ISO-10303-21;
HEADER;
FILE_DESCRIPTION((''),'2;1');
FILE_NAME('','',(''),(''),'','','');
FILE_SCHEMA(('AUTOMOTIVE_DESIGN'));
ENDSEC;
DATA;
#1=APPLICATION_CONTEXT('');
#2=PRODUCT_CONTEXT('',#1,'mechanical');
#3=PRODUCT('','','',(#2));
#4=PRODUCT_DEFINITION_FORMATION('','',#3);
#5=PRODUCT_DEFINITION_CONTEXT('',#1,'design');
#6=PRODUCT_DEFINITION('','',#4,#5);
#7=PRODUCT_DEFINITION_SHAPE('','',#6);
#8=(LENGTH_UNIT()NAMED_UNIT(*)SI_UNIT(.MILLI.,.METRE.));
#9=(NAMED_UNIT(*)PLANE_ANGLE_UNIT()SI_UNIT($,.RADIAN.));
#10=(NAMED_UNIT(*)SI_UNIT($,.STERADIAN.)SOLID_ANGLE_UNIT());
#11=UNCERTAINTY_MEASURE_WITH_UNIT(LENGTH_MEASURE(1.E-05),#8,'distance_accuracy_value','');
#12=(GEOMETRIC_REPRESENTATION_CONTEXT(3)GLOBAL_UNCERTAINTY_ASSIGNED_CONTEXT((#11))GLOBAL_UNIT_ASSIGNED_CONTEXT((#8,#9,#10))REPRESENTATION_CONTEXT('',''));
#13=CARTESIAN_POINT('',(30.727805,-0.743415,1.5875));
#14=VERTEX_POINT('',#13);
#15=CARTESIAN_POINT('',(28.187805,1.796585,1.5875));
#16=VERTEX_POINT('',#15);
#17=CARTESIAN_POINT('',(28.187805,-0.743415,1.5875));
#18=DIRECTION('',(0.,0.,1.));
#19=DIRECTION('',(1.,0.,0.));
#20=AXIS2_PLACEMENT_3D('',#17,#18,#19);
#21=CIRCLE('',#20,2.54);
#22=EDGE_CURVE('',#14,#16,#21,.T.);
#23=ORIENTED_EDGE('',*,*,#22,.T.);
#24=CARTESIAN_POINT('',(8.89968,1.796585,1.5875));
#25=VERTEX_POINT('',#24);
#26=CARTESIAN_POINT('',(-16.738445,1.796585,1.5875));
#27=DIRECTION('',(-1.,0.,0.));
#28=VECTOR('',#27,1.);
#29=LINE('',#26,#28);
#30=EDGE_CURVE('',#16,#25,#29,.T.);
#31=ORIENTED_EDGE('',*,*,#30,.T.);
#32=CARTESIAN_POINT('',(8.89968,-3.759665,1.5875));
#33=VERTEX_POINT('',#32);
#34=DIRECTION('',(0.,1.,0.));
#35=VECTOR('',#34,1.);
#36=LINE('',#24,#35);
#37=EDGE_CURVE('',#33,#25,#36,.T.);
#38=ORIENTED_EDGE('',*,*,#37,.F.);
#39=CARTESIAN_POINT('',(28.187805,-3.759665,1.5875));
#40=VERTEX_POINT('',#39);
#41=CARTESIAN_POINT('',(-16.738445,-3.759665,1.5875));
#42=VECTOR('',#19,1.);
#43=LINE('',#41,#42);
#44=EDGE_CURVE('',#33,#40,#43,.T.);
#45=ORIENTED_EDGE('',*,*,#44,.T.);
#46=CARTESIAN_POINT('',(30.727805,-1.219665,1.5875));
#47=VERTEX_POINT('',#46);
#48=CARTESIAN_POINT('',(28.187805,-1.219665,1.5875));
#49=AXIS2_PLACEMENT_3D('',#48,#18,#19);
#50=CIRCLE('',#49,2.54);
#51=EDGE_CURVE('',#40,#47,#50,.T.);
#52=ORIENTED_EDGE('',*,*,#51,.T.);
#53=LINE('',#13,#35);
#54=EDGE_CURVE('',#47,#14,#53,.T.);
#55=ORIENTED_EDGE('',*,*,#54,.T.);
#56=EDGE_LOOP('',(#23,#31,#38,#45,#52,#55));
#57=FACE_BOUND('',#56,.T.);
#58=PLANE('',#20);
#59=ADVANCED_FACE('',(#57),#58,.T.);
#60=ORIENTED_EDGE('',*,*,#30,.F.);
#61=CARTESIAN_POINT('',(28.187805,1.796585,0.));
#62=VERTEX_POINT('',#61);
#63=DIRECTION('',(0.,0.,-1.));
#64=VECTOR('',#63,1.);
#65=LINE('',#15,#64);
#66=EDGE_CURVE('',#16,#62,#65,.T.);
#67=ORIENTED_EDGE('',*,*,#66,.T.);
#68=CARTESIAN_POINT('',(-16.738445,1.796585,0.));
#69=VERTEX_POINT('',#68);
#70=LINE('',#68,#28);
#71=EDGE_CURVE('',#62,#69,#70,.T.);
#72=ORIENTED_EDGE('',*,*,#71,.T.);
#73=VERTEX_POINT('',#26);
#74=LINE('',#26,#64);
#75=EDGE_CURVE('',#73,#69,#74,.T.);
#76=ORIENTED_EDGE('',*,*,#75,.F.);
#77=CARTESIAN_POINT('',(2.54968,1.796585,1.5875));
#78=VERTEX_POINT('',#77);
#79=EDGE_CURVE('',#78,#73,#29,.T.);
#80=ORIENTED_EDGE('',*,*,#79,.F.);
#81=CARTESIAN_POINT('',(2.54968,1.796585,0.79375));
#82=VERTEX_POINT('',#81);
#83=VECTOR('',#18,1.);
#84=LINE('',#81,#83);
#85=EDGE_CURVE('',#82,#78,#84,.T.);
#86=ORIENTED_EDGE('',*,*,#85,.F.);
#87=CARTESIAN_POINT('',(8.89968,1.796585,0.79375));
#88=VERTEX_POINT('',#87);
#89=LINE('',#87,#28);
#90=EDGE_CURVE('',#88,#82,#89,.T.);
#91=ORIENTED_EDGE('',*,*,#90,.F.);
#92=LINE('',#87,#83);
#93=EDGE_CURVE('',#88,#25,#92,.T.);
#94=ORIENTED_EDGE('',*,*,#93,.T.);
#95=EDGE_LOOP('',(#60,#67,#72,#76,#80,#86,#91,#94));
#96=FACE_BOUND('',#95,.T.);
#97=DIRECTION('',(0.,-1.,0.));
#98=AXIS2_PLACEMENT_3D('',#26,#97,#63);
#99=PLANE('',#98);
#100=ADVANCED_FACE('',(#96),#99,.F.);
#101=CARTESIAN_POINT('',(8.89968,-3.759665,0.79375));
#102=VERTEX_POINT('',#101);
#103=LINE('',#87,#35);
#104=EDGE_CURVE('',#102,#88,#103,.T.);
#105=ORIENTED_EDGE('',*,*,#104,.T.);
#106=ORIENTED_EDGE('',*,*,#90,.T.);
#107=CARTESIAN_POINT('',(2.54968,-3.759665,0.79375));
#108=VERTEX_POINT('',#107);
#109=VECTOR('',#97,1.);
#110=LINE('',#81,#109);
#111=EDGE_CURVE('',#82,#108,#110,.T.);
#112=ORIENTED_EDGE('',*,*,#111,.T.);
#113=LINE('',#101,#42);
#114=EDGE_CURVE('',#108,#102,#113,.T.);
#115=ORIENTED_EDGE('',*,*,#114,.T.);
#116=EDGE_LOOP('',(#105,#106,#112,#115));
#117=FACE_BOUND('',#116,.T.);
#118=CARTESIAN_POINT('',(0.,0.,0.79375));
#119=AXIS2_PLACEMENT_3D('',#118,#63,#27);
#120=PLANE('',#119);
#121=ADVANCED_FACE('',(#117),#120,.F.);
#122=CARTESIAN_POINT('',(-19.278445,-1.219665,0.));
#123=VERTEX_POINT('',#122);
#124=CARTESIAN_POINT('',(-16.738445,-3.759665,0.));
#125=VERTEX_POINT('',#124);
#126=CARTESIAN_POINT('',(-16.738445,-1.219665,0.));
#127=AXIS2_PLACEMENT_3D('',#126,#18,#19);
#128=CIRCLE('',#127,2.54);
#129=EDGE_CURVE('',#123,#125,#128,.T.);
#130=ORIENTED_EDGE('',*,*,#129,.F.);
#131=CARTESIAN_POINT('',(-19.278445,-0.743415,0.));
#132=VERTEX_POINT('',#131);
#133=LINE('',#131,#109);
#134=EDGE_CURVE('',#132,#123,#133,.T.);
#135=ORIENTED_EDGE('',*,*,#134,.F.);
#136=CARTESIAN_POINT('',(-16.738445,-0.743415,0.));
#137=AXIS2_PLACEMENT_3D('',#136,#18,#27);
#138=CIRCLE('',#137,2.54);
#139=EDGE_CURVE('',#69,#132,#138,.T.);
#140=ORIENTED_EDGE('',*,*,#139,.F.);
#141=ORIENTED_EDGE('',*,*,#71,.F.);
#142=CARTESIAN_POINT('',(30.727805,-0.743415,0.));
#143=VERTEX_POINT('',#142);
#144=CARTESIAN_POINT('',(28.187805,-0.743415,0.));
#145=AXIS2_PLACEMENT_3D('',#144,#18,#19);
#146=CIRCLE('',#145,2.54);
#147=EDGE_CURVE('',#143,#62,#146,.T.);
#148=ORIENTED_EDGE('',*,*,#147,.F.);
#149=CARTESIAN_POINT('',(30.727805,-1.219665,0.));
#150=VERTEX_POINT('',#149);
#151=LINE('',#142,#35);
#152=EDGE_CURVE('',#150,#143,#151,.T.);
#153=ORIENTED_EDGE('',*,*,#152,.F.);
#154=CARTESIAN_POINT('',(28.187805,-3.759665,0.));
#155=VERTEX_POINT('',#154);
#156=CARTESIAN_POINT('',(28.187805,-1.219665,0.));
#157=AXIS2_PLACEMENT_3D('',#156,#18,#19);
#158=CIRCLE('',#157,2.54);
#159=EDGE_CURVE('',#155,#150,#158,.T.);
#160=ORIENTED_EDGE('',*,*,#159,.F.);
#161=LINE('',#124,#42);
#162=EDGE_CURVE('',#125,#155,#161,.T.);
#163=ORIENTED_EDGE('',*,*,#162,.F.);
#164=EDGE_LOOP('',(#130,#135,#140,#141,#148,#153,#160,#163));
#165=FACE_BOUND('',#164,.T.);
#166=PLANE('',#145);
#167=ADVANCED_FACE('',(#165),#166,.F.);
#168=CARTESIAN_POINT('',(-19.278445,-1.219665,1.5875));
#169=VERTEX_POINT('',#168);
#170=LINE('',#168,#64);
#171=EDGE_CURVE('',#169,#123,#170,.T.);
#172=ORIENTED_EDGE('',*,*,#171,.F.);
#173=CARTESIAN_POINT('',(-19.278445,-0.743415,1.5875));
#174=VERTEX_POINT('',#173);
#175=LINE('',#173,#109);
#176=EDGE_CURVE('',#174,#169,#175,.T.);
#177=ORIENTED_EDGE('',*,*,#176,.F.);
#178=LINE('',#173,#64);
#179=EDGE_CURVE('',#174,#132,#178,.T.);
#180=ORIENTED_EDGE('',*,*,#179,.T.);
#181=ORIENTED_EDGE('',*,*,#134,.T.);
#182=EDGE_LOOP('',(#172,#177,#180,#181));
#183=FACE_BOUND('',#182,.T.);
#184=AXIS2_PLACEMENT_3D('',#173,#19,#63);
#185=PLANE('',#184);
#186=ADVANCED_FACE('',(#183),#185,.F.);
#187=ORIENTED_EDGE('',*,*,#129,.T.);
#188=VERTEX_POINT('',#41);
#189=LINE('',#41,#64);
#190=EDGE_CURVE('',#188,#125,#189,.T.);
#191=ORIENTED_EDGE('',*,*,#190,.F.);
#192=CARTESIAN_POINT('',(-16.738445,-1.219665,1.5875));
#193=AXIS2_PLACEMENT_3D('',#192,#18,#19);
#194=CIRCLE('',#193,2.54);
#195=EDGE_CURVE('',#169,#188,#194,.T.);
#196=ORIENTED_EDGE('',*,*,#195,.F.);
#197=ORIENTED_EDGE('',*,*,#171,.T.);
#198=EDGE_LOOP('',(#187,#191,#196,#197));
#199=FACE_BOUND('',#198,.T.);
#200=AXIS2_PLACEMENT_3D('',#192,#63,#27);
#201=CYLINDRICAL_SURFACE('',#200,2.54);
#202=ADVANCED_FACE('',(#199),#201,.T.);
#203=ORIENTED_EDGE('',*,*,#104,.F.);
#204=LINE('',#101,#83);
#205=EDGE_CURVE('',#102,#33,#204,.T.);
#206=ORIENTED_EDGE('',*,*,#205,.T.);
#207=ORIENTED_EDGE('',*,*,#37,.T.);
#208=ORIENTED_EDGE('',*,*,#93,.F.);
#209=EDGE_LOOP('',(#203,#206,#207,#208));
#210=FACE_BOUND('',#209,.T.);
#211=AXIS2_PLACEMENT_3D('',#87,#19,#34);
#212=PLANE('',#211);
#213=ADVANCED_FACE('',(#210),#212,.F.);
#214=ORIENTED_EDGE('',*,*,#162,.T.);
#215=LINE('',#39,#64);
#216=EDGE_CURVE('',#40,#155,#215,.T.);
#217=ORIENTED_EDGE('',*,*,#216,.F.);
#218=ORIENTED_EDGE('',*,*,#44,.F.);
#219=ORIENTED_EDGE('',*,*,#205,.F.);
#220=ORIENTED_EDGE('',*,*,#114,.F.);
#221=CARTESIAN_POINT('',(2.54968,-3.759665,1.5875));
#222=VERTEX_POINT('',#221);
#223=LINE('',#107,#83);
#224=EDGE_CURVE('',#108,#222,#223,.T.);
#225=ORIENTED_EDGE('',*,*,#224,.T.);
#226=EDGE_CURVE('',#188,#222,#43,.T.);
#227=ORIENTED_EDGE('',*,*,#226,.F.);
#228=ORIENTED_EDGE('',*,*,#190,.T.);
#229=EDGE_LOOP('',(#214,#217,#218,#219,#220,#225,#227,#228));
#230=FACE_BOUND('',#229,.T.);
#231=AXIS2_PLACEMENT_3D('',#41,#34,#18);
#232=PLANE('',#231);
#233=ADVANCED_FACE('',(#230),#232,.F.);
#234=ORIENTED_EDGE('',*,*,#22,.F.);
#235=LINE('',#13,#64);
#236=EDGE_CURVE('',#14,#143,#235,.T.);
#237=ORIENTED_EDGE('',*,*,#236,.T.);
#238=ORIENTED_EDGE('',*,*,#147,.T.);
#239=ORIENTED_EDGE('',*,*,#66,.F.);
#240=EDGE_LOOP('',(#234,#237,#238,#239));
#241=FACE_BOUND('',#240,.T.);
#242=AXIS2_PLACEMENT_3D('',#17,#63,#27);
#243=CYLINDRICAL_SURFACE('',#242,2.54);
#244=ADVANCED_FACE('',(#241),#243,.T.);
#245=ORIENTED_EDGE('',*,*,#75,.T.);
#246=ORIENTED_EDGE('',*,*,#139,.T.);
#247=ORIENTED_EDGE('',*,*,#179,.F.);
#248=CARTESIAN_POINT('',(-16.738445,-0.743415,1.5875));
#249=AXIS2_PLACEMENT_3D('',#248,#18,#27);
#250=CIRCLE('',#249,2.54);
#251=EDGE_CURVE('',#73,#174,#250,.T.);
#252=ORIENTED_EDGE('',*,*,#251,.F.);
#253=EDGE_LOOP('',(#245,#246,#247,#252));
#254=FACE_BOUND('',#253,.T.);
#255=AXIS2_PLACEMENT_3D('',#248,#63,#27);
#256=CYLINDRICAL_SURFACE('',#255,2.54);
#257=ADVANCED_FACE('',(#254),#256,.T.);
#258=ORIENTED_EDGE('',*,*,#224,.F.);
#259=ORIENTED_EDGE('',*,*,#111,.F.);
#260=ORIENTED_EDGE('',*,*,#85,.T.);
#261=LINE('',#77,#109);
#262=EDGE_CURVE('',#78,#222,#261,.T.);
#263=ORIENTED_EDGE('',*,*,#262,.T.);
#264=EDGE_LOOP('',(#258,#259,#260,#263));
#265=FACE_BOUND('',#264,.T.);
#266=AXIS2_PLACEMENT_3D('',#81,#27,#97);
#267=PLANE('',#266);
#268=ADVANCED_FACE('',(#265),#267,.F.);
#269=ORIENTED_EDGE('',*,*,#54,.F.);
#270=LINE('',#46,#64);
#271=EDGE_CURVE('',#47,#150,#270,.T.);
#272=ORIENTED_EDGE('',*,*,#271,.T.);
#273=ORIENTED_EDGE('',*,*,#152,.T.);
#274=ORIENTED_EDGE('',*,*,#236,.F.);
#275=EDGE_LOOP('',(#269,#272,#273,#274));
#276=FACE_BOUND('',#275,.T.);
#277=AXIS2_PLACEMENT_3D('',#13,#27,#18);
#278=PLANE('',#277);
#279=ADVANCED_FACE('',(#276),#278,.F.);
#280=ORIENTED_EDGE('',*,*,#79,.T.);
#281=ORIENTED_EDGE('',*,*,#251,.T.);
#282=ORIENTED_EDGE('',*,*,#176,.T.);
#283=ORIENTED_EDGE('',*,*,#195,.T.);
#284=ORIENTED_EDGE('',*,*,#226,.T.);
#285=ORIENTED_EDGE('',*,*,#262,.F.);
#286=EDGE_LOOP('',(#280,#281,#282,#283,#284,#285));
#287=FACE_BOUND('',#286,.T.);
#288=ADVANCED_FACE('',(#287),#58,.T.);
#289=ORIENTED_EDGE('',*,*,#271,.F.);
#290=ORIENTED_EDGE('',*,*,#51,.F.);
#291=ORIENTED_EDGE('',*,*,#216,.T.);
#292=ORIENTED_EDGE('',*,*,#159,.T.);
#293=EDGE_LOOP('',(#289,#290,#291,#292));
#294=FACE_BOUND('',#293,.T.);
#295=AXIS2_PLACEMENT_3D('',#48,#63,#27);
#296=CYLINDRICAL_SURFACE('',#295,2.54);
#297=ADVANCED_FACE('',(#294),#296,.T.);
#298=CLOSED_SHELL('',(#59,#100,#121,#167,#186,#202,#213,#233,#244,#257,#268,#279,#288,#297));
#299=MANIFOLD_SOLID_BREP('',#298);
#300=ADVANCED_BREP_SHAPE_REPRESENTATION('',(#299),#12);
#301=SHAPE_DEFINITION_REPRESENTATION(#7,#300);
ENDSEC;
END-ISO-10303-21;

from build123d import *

# Parameters (mm, degrees)
BOSS_EXTRUDE1_DEPTH = 1.5875
SKETCH3_W           = 6.35
SKETCH3_H           = 5.55625
CUT_EXTRUDE1_DEPTH  = 0.79375


with BuildPart() as part:
    # Sketch2 → Boss-Extrude1 (new body)
    with BuildSketch(Plane.XY):
        with BuildLine():
            Line((-16.738445122, 1.796585366), (28.187804878, 1.796585366))
            ThreePointArc((28.187804878, 1.796585366), (29.983856102, 1.05263659), (30.727804878, -0.743414634))
            Line((30.727804878, -0.743414634), (30.727804878, -1.219664634))
            ThreePointArc((30.727804878, -1.219664634), (29.983856102, -3.015715858), (28.187804878, -3.759664634))
            Line((28.187804878, -3.759664634), (-16.738445122, -3.759664634))
            ThreePointArc((-16.738445122, -3.759664634), (-18.534496346, -3.015715858), (-19.278445122, -1.219664634))
            Line((-19.278445122, -1.219664634), (-19.278445122, -0.743414634))
            ThreePointArc((-19.278445122, -0.743414634), (-18.534496346, 1.05263659), (-16.738445122, 1.796585366))
        make_face()
    extrude(amount=BOSS_EXTRUDE1_DEPTH)

    # Sketch3 → Cut-Extrude1 (cut)
    with BuildSketch(Plane.XY.offset(1.5875)):
        with Locations((5.724679878, -0.981539634)):
            Rectangle(SKETCH3_W, SKETCH3_H)
    extrude(amount=-CUT_EXTRUDE1_DEPTH, mode=Mode.SUBTRACT)


solid = part.part
